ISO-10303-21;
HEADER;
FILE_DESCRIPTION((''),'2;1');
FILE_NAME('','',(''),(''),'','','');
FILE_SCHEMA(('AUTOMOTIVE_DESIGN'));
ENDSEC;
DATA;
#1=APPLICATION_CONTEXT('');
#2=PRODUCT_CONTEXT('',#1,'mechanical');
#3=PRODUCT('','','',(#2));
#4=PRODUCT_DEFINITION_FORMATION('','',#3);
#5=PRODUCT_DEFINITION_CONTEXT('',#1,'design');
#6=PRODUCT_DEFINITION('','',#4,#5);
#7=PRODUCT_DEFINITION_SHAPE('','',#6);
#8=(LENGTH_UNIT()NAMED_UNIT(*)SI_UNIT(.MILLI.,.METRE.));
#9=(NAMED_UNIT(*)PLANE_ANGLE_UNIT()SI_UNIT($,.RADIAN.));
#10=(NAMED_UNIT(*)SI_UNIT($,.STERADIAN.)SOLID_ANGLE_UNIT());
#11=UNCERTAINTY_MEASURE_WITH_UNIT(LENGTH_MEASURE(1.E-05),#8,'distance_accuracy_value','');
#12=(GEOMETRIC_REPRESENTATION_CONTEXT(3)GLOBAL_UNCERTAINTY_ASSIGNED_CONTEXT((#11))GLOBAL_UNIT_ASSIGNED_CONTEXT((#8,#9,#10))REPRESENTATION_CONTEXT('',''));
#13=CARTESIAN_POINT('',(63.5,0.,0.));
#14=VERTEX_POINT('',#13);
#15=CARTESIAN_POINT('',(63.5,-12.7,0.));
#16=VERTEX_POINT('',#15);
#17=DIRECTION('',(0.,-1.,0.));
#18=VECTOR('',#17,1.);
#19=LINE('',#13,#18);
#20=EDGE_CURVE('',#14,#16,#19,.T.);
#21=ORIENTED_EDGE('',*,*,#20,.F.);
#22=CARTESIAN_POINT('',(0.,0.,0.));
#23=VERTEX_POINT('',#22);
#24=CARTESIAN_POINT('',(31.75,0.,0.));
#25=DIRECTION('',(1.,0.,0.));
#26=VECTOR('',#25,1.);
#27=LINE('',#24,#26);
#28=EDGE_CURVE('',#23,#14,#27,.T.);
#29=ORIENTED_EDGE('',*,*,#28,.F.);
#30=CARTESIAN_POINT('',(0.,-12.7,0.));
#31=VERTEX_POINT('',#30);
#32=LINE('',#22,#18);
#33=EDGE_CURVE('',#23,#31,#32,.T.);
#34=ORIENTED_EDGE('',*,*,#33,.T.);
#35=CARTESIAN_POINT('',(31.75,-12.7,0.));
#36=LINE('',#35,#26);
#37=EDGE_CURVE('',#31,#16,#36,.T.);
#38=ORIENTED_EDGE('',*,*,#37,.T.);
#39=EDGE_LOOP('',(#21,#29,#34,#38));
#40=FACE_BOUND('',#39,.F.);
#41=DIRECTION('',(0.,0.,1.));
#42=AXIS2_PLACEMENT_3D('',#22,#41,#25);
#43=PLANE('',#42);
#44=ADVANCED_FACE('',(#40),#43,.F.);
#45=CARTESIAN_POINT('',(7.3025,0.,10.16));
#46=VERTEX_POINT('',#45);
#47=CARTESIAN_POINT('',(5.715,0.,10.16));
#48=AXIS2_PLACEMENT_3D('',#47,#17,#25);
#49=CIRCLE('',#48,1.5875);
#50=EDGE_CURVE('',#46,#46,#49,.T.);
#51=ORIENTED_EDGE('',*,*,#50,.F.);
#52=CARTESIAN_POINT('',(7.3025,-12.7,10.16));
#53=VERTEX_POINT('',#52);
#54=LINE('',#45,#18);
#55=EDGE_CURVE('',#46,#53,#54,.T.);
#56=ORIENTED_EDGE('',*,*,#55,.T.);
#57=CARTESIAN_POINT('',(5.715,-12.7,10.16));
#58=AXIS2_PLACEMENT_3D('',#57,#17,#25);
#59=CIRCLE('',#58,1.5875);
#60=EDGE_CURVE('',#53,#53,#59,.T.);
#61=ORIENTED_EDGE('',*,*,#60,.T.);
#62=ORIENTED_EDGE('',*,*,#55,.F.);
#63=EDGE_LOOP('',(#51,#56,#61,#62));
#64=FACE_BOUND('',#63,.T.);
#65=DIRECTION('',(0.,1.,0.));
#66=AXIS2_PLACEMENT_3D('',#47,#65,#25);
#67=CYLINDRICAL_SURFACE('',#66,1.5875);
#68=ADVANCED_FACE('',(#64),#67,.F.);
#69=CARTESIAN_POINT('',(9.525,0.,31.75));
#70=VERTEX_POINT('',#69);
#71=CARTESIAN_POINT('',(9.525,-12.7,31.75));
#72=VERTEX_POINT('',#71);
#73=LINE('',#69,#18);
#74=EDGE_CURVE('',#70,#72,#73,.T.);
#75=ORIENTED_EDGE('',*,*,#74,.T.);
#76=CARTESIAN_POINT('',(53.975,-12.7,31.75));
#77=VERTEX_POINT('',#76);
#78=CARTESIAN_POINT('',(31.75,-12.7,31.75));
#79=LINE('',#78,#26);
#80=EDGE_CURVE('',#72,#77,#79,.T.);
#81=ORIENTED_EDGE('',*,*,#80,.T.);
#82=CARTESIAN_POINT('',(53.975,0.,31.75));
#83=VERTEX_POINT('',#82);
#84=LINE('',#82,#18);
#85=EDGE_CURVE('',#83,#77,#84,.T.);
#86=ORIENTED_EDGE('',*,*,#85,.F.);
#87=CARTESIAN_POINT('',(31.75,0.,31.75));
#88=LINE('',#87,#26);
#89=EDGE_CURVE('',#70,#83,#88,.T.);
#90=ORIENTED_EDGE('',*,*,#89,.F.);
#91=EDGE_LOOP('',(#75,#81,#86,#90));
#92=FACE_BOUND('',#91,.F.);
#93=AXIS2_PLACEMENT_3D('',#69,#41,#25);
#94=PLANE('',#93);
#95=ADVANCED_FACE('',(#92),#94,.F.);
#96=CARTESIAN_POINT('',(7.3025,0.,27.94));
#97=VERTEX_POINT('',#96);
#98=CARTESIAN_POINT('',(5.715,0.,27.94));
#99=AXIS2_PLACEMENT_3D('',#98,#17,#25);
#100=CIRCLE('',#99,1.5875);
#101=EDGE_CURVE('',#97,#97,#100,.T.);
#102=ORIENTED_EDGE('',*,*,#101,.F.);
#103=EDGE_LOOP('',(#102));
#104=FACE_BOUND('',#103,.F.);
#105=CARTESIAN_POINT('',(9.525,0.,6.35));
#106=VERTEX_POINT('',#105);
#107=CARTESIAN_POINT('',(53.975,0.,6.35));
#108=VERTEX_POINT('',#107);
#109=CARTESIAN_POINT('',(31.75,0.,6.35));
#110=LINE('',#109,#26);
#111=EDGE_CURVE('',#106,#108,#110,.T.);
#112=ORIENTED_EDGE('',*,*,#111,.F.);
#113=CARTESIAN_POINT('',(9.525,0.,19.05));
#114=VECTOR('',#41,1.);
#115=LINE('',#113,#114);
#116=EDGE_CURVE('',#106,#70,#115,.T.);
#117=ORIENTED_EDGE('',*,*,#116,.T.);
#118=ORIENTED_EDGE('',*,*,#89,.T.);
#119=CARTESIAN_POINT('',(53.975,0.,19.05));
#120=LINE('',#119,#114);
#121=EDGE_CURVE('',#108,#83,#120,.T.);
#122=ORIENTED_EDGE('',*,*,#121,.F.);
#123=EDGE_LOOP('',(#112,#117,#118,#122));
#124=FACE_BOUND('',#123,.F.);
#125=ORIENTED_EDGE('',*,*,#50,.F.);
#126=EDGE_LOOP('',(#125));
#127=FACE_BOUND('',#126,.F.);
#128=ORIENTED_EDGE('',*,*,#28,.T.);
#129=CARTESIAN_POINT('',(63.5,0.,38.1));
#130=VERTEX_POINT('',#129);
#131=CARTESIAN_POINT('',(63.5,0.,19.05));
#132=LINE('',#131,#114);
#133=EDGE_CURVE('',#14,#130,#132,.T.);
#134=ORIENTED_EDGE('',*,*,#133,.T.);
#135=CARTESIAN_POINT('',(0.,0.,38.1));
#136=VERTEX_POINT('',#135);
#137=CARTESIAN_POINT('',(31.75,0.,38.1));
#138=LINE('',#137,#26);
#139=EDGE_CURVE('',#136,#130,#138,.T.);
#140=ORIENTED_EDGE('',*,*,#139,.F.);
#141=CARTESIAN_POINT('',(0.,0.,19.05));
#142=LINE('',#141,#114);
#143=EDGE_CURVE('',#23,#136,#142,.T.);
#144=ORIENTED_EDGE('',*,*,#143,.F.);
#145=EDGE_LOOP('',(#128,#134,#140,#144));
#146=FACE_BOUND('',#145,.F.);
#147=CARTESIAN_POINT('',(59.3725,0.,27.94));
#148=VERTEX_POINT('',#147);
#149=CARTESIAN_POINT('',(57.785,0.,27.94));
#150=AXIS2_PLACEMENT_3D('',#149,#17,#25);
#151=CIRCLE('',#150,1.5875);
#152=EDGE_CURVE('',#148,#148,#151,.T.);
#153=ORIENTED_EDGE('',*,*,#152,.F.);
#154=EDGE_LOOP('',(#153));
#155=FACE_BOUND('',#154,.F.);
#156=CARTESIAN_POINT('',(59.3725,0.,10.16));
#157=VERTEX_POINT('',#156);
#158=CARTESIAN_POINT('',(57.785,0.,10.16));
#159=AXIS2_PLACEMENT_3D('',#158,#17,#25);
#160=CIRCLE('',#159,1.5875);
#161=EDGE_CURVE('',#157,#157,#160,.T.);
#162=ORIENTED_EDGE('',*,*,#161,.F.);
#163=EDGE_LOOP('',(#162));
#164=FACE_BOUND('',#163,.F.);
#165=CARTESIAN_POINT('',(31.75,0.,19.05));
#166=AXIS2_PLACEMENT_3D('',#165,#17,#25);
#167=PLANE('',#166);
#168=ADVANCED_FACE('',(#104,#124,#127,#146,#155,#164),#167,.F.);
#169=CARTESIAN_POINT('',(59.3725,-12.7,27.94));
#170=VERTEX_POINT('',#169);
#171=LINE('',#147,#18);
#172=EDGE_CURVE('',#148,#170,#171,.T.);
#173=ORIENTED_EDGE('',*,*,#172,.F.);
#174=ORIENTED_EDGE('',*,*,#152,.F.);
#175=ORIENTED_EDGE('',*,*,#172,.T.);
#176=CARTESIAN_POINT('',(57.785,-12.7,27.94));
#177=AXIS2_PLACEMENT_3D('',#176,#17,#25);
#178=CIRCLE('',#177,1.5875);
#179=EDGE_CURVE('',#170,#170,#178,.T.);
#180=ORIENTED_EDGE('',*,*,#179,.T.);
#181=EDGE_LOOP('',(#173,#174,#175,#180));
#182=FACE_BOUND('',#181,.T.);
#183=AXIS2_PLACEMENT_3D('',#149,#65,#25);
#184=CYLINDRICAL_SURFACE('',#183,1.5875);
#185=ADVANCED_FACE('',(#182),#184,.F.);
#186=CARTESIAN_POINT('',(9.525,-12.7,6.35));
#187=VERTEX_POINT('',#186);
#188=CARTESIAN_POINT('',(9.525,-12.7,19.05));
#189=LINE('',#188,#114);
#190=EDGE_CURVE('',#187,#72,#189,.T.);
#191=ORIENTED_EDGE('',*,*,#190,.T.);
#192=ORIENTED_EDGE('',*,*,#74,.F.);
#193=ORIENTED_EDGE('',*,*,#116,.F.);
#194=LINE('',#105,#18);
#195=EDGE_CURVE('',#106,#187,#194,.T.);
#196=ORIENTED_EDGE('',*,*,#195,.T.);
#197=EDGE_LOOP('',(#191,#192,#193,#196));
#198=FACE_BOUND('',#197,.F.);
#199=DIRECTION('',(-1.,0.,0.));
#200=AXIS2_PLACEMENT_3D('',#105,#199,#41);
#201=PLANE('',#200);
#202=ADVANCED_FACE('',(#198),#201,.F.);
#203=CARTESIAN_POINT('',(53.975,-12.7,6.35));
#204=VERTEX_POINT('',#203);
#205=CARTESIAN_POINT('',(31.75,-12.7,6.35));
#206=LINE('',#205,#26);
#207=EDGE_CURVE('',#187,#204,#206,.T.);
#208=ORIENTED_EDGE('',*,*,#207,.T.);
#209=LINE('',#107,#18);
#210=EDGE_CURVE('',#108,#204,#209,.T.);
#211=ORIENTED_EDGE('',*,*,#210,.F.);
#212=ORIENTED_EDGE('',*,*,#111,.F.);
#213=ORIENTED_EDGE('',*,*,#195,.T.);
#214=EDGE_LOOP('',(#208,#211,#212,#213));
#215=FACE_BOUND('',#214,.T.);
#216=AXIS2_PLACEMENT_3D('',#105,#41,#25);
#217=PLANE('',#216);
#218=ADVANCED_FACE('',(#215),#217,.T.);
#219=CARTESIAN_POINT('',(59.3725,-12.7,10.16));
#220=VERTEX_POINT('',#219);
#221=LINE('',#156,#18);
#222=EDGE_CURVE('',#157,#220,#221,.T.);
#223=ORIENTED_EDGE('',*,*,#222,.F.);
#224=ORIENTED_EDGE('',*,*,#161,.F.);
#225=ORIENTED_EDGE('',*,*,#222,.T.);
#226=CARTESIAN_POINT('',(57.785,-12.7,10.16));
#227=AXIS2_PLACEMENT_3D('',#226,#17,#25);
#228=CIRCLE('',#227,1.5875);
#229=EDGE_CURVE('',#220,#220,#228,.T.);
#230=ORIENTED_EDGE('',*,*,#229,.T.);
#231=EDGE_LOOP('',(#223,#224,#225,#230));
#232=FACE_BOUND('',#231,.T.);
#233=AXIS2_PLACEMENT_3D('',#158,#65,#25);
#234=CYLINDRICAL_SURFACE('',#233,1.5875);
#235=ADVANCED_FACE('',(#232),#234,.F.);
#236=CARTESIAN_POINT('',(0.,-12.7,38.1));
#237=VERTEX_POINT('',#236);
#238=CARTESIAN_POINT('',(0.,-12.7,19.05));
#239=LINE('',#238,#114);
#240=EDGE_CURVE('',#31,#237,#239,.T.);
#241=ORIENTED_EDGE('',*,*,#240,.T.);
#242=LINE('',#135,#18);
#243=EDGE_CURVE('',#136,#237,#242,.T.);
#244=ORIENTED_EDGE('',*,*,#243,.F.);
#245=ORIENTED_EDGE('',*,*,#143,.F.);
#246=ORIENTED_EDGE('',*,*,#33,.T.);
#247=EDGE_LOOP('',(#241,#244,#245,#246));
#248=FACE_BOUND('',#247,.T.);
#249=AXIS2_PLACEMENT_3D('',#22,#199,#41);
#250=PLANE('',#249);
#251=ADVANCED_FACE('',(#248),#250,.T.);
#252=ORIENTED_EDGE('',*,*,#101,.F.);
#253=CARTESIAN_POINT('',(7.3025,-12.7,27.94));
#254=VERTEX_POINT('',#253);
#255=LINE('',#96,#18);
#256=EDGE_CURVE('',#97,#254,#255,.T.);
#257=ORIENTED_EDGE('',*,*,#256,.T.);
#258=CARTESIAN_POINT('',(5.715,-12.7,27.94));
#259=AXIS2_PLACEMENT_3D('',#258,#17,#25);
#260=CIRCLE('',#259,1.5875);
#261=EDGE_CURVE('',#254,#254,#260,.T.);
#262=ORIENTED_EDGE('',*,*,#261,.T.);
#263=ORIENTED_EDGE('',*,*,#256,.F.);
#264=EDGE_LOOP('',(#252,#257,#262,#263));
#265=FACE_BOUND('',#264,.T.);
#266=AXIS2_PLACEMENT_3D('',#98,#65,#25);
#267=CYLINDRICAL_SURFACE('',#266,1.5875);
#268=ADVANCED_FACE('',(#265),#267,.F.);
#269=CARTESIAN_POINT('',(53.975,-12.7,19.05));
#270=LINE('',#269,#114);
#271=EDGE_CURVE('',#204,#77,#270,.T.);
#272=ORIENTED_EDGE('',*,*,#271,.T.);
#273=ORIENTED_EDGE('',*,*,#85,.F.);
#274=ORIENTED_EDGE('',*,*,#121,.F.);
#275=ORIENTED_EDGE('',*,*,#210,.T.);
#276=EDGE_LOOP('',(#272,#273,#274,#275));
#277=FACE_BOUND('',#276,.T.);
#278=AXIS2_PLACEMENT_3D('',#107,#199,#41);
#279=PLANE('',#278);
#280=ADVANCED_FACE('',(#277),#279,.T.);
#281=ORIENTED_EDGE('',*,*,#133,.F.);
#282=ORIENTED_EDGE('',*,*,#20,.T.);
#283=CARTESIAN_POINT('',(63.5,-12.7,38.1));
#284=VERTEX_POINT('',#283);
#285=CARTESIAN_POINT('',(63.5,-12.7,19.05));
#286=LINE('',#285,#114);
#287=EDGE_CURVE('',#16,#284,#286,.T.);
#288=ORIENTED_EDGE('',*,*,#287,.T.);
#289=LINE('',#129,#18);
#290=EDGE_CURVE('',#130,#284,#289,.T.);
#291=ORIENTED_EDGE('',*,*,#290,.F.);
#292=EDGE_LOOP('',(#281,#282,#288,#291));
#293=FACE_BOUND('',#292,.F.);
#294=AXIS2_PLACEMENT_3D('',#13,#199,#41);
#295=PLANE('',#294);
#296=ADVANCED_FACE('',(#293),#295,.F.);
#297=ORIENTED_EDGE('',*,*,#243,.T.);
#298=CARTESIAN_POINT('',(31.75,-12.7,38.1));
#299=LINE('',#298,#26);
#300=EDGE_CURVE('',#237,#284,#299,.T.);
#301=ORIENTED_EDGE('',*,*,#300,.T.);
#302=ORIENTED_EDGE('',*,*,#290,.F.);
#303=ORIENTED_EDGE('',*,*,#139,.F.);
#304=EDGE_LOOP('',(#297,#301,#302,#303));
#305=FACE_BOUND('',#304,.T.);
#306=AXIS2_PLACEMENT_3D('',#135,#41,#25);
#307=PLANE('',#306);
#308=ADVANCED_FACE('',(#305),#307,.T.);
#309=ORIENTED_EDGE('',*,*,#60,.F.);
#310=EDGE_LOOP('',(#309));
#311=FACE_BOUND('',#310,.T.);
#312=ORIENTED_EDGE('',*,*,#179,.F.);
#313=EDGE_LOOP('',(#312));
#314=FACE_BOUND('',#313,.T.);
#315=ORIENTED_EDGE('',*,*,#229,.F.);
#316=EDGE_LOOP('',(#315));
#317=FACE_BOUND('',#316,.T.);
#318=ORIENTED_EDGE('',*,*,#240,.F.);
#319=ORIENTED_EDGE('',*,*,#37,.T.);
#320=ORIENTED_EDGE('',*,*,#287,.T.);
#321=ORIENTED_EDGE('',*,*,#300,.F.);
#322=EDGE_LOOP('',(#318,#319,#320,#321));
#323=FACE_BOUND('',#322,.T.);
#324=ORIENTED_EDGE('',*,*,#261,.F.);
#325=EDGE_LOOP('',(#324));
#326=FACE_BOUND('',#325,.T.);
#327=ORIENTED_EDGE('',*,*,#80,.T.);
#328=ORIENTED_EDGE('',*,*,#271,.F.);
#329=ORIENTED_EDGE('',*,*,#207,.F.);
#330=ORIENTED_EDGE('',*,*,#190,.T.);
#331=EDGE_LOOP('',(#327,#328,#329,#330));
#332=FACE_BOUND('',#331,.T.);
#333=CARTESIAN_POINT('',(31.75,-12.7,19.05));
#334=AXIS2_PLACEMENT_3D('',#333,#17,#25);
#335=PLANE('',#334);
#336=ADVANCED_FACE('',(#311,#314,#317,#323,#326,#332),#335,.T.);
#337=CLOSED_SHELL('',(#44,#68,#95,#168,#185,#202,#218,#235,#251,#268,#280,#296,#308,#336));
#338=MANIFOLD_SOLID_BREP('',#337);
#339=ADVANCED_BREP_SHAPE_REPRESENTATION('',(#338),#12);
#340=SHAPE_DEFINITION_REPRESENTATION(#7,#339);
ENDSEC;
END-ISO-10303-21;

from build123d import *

# Parameters (mm, degrees)
F0_W     = 63.5
F0_H     = 38.1
F0_R     = 1.5875
F0_W_2   = 44.45
F0_H_2   = 25.4
F1_DEPTH = 12.7


with BuildPart() as f1:
    # F0 (on Front) → F1 (new body)
    with BuildSketch(Plane.XZ):
        with Locations((31.75, 19.05)):
            Rectangle(F0_W, F0_H)
        with Locations((5.715, 10.16)):
            Circle(F0_R, mode=Mode.SUBTRACT)
        with Locations((57.785, 10.16)):
            Circle(F0_R, mode=Mode.SUBTRACT)
        with Locations((5.715, 27.94)):
            Circle(F0_R, mode=Mode.SUBTRACT)
        with Locations((31.75, 19.05)):
            Rectangle(F0_W_2, F0_H_2, mode=Mode.SUBTRACT)
        with Locations((57.785, 27.94)):
            Circle(F0_R, mode=Mode.SUBTRACT)
    extrude(amount=F1_DEPTH)


solid = f1.part
